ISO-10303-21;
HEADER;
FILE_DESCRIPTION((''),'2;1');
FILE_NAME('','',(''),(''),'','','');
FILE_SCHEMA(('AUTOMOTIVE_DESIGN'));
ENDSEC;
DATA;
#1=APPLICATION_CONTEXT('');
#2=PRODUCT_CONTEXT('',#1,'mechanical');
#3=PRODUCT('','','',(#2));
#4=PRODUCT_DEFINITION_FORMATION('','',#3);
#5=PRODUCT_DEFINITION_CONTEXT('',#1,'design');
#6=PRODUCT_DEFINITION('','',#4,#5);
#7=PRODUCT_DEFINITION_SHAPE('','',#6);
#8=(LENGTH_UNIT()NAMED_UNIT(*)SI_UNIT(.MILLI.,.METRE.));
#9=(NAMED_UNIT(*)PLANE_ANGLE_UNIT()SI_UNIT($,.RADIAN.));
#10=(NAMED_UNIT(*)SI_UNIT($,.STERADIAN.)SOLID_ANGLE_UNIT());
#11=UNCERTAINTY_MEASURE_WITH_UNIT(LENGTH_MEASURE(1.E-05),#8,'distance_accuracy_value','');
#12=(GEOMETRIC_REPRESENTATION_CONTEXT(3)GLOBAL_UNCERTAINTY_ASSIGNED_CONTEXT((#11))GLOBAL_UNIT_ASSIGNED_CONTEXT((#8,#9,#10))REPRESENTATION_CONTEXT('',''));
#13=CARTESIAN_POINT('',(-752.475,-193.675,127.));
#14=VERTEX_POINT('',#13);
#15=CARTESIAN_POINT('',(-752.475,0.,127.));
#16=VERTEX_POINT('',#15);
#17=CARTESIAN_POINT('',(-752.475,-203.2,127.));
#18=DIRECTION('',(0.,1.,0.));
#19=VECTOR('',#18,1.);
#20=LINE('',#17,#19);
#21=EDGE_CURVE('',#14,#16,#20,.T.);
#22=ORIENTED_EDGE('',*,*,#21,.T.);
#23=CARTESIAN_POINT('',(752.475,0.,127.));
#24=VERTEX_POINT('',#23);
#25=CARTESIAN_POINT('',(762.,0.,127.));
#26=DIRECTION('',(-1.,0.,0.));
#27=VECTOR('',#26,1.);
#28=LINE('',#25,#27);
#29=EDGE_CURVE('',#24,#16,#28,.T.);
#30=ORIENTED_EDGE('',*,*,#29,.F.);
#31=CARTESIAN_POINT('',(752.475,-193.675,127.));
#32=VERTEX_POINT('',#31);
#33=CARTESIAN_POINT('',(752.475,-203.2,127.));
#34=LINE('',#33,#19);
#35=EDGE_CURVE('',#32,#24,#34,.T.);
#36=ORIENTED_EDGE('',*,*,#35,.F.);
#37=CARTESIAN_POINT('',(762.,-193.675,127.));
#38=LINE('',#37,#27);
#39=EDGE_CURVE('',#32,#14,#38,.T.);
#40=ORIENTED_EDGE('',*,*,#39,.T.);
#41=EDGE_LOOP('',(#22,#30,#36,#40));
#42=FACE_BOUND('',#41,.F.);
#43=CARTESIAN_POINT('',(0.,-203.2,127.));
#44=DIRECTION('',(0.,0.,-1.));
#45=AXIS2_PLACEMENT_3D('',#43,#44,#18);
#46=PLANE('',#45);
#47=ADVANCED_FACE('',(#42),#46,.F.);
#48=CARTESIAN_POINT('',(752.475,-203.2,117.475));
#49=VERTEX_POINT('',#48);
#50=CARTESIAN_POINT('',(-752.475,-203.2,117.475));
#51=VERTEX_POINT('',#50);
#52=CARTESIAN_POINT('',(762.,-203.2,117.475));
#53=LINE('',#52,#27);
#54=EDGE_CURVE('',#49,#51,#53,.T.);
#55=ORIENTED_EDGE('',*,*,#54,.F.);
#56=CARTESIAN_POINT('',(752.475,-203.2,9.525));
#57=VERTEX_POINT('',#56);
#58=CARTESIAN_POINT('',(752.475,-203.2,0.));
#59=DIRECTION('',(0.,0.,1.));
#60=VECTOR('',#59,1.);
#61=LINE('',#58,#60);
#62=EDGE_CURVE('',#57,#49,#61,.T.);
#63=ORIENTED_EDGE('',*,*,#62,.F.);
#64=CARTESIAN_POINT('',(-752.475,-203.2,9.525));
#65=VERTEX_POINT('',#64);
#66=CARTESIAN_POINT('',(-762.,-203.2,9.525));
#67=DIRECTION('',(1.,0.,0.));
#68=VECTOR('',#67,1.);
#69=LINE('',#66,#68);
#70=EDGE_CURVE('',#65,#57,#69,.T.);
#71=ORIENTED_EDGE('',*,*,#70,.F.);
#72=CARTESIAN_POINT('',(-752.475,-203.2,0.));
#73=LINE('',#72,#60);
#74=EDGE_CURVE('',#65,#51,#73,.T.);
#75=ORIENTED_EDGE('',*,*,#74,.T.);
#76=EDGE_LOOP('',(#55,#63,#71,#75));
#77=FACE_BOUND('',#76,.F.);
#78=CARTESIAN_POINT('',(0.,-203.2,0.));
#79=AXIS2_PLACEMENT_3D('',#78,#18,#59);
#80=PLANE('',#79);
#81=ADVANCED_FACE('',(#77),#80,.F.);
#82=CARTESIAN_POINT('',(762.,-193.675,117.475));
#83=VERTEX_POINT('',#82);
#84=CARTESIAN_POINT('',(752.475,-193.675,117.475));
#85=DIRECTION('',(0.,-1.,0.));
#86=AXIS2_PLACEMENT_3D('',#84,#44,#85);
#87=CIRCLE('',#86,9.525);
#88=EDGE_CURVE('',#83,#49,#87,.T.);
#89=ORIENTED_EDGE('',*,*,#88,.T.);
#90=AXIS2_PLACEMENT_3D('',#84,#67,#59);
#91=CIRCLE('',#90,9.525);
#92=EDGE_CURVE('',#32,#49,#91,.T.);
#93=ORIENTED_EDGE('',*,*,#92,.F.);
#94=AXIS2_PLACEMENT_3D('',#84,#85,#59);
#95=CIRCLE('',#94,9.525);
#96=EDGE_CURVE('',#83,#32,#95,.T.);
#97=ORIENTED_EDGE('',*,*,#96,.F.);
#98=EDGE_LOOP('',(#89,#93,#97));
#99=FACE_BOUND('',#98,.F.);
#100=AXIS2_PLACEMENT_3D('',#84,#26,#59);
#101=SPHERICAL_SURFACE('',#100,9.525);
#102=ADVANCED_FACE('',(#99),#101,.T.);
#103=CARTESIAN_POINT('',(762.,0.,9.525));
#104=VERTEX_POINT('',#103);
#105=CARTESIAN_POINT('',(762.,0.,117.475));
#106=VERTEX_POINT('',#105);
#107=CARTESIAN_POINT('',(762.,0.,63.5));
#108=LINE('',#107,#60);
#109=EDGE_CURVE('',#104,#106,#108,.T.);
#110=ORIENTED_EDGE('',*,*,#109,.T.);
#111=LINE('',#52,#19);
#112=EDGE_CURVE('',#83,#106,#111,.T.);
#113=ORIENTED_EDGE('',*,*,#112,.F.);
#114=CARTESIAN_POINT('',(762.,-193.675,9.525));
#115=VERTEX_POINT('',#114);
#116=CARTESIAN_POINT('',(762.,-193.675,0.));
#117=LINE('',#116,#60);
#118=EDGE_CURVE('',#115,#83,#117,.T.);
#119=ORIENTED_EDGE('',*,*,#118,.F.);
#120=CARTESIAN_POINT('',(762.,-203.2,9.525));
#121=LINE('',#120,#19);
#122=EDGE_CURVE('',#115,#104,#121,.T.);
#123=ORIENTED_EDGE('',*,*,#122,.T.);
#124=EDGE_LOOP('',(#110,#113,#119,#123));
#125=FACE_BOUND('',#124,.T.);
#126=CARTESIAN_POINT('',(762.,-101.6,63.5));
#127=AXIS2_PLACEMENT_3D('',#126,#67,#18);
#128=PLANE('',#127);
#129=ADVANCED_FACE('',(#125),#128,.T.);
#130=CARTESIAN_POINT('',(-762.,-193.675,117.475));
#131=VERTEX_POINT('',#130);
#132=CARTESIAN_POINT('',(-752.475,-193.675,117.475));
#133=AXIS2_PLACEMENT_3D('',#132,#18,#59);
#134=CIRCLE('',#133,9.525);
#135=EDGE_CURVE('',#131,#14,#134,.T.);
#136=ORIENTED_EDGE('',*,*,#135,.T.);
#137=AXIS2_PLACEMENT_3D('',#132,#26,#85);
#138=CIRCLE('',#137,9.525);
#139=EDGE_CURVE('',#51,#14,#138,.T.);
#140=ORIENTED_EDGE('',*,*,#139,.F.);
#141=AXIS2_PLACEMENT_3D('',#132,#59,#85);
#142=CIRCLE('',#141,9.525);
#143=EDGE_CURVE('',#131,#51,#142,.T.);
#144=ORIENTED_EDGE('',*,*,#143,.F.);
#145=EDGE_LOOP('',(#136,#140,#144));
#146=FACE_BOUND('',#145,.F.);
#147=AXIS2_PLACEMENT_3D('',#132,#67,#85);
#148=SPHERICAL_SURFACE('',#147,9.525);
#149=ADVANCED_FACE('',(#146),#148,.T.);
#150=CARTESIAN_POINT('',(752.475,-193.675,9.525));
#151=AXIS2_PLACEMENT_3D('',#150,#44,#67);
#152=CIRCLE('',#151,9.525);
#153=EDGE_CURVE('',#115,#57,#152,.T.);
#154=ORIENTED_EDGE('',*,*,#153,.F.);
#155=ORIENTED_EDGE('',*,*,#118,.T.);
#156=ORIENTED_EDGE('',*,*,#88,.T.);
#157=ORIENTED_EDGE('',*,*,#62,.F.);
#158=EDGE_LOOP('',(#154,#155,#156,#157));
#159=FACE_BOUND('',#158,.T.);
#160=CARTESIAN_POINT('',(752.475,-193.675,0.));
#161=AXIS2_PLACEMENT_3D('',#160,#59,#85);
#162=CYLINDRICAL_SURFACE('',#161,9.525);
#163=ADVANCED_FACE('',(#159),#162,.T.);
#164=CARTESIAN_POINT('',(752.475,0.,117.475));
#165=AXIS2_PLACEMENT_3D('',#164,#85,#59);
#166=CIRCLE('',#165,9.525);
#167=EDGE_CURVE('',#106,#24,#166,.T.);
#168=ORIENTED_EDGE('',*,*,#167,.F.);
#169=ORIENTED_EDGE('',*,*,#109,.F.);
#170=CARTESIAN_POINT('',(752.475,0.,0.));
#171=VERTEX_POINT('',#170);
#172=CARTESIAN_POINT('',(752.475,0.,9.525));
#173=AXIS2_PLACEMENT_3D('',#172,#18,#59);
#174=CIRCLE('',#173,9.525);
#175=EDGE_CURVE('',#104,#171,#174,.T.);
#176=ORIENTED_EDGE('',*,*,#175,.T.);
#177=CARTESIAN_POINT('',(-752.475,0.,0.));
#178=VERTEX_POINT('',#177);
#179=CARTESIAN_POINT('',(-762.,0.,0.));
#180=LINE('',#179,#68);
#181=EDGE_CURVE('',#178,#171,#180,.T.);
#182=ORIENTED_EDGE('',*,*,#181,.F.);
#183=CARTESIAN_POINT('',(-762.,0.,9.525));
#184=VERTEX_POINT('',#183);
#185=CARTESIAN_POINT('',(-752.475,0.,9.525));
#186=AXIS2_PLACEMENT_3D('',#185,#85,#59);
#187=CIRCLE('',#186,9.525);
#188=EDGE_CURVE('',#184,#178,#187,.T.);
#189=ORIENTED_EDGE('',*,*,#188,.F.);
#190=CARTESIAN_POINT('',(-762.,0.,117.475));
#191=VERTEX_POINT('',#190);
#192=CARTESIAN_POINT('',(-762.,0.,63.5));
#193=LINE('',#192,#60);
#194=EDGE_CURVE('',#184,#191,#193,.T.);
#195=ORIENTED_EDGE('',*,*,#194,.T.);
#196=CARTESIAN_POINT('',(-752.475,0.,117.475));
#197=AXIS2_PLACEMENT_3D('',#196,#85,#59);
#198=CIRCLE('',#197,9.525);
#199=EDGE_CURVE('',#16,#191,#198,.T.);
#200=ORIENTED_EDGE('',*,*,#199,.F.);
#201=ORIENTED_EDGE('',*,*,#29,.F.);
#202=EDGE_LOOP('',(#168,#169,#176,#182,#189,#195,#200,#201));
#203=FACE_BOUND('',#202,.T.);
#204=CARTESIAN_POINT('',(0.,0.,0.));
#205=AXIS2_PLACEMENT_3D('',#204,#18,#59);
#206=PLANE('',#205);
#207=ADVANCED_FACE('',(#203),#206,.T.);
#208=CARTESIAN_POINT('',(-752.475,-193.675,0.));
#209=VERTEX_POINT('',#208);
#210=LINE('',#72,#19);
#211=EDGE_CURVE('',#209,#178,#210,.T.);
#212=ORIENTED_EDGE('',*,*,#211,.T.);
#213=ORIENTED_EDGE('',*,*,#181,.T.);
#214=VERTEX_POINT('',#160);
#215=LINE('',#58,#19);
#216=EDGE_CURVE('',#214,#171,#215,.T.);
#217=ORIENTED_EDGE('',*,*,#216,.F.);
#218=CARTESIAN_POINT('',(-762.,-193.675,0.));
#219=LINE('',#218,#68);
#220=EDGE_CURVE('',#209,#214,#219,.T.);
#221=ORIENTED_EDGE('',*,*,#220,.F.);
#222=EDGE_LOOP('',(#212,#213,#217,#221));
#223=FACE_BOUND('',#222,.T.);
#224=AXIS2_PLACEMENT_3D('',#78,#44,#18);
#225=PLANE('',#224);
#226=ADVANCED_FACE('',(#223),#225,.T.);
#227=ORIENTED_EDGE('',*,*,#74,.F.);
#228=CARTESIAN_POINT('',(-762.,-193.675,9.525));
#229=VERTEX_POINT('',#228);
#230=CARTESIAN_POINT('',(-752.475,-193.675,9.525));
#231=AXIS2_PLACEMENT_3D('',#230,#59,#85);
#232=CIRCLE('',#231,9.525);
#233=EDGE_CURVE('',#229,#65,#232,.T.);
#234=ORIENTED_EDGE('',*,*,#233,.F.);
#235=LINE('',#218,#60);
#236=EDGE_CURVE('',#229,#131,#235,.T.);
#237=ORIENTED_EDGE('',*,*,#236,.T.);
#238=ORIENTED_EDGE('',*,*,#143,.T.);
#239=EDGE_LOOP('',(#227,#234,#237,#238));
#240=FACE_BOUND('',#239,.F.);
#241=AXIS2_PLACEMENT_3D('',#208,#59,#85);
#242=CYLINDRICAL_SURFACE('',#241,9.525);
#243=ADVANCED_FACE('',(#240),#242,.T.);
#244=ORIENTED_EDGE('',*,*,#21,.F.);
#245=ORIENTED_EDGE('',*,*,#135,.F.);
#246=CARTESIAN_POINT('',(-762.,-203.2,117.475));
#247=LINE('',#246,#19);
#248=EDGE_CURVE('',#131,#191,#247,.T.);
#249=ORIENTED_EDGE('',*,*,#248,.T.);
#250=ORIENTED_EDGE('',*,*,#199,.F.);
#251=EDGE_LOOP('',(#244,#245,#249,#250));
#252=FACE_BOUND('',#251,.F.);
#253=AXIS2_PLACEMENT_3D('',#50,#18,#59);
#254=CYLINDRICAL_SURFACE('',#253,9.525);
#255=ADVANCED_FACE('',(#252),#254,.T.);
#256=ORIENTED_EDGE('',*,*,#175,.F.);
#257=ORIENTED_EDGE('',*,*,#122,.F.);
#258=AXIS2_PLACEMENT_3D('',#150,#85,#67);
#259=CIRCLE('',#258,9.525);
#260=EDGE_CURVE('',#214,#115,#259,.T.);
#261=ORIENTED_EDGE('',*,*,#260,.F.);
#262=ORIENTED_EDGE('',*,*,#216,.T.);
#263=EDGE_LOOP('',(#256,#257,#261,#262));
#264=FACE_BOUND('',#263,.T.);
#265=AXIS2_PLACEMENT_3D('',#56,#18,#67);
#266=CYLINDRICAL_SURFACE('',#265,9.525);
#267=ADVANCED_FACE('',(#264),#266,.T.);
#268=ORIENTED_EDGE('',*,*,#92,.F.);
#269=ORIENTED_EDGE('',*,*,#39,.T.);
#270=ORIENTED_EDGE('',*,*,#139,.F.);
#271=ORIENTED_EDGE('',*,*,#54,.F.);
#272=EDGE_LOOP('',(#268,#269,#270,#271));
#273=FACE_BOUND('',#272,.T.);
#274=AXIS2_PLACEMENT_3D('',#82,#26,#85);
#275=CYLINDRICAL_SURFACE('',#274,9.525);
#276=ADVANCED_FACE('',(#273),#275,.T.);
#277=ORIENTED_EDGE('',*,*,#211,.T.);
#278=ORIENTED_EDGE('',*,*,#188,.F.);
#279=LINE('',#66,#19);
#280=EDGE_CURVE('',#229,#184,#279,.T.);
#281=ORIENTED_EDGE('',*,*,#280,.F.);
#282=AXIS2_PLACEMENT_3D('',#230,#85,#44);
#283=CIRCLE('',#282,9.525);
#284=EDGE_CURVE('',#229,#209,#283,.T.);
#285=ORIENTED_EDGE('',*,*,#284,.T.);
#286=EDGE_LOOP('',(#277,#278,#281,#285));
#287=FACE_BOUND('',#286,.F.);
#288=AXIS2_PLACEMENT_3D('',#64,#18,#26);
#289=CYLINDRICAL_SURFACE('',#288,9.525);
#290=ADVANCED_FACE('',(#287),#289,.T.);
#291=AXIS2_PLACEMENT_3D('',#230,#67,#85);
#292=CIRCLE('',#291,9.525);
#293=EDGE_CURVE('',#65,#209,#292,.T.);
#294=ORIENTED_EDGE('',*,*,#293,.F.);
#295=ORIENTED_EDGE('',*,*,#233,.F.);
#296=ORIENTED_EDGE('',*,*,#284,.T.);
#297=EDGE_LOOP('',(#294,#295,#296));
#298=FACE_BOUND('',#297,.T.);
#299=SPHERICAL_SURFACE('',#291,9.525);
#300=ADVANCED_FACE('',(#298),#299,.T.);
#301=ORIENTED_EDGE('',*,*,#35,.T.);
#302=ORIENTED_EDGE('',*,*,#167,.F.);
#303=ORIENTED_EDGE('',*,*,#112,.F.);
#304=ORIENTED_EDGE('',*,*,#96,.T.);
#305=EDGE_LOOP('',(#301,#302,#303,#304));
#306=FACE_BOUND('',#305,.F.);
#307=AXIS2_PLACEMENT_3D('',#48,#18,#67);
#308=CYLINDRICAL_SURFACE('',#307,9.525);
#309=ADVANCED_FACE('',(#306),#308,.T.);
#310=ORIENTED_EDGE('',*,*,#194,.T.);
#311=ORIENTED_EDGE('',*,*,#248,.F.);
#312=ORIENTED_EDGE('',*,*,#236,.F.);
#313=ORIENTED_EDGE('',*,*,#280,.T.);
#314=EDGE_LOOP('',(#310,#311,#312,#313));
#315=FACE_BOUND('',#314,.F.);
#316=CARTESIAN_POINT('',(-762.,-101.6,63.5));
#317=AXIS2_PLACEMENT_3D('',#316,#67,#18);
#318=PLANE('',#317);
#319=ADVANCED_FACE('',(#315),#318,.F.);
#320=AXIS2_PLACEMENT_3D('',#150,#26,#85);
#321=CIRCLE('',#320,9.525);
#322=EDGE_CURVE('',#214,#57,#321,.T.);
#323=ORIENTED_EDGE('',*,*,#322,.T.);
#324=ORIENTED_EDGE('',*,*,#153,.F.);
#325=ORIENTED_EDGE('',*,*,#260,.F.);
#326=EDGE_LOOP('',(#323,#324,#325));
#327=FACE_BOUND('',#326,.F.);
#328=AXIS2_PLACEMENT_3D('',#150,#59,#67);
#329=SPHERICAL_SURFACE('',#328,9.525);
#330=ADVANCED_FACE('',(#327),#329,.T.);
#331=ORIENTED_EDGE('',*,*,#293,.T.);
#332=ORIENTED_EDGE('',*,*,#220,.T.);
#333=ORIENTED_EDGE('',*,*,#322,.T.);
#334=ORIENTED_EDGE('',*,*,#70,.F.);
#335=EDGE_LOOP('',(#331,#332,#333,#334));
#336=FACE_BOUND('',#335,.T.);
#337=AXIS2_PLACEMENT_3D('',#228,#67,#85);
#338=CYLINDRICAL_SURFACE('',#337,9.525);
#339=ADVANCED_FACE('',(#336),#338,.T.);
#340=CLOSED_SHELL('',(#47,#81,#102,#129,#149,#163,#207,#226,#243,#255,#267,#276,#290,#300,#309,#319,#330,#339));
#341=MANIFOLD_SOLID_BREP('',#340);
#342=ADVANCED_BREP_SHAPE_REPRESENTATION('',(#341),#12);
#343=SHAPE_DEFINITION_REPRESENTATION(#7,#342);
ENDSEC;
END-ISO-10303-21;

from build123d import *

# Parameters (mm, degrees)
F0_W     = 203.2
F0_H     = 127
F1_DEPTH = 762
F2_R     = 9.525


with BuildPart() as f1:
    # F0 (on Right) → F1 (new body, symmetric)
    with BuildSketch(Plane.YZ):
        with Locations((-101.6, 63.5)):
            Rectangle(F0_W, F0_H)
    extrude(amount=F1_DEPTH, both=True)

    # F2
    f2_edges = [f1.edges().sort_by_distance(p)[0] for p in [
        (0, -203.2, 127),
        (762, -101.6, 127),
        (762, -203.2, 63.5),
        (762, -101.6, 0),
        (0, -203.2, 0),
        (-762, -203.2, 63.5),
        (-762, -101.6, 127),
        (-762, -101.6, 0),
    ]]
    fillet(f2_edges, radius=F2_R)


solid = f1.part
